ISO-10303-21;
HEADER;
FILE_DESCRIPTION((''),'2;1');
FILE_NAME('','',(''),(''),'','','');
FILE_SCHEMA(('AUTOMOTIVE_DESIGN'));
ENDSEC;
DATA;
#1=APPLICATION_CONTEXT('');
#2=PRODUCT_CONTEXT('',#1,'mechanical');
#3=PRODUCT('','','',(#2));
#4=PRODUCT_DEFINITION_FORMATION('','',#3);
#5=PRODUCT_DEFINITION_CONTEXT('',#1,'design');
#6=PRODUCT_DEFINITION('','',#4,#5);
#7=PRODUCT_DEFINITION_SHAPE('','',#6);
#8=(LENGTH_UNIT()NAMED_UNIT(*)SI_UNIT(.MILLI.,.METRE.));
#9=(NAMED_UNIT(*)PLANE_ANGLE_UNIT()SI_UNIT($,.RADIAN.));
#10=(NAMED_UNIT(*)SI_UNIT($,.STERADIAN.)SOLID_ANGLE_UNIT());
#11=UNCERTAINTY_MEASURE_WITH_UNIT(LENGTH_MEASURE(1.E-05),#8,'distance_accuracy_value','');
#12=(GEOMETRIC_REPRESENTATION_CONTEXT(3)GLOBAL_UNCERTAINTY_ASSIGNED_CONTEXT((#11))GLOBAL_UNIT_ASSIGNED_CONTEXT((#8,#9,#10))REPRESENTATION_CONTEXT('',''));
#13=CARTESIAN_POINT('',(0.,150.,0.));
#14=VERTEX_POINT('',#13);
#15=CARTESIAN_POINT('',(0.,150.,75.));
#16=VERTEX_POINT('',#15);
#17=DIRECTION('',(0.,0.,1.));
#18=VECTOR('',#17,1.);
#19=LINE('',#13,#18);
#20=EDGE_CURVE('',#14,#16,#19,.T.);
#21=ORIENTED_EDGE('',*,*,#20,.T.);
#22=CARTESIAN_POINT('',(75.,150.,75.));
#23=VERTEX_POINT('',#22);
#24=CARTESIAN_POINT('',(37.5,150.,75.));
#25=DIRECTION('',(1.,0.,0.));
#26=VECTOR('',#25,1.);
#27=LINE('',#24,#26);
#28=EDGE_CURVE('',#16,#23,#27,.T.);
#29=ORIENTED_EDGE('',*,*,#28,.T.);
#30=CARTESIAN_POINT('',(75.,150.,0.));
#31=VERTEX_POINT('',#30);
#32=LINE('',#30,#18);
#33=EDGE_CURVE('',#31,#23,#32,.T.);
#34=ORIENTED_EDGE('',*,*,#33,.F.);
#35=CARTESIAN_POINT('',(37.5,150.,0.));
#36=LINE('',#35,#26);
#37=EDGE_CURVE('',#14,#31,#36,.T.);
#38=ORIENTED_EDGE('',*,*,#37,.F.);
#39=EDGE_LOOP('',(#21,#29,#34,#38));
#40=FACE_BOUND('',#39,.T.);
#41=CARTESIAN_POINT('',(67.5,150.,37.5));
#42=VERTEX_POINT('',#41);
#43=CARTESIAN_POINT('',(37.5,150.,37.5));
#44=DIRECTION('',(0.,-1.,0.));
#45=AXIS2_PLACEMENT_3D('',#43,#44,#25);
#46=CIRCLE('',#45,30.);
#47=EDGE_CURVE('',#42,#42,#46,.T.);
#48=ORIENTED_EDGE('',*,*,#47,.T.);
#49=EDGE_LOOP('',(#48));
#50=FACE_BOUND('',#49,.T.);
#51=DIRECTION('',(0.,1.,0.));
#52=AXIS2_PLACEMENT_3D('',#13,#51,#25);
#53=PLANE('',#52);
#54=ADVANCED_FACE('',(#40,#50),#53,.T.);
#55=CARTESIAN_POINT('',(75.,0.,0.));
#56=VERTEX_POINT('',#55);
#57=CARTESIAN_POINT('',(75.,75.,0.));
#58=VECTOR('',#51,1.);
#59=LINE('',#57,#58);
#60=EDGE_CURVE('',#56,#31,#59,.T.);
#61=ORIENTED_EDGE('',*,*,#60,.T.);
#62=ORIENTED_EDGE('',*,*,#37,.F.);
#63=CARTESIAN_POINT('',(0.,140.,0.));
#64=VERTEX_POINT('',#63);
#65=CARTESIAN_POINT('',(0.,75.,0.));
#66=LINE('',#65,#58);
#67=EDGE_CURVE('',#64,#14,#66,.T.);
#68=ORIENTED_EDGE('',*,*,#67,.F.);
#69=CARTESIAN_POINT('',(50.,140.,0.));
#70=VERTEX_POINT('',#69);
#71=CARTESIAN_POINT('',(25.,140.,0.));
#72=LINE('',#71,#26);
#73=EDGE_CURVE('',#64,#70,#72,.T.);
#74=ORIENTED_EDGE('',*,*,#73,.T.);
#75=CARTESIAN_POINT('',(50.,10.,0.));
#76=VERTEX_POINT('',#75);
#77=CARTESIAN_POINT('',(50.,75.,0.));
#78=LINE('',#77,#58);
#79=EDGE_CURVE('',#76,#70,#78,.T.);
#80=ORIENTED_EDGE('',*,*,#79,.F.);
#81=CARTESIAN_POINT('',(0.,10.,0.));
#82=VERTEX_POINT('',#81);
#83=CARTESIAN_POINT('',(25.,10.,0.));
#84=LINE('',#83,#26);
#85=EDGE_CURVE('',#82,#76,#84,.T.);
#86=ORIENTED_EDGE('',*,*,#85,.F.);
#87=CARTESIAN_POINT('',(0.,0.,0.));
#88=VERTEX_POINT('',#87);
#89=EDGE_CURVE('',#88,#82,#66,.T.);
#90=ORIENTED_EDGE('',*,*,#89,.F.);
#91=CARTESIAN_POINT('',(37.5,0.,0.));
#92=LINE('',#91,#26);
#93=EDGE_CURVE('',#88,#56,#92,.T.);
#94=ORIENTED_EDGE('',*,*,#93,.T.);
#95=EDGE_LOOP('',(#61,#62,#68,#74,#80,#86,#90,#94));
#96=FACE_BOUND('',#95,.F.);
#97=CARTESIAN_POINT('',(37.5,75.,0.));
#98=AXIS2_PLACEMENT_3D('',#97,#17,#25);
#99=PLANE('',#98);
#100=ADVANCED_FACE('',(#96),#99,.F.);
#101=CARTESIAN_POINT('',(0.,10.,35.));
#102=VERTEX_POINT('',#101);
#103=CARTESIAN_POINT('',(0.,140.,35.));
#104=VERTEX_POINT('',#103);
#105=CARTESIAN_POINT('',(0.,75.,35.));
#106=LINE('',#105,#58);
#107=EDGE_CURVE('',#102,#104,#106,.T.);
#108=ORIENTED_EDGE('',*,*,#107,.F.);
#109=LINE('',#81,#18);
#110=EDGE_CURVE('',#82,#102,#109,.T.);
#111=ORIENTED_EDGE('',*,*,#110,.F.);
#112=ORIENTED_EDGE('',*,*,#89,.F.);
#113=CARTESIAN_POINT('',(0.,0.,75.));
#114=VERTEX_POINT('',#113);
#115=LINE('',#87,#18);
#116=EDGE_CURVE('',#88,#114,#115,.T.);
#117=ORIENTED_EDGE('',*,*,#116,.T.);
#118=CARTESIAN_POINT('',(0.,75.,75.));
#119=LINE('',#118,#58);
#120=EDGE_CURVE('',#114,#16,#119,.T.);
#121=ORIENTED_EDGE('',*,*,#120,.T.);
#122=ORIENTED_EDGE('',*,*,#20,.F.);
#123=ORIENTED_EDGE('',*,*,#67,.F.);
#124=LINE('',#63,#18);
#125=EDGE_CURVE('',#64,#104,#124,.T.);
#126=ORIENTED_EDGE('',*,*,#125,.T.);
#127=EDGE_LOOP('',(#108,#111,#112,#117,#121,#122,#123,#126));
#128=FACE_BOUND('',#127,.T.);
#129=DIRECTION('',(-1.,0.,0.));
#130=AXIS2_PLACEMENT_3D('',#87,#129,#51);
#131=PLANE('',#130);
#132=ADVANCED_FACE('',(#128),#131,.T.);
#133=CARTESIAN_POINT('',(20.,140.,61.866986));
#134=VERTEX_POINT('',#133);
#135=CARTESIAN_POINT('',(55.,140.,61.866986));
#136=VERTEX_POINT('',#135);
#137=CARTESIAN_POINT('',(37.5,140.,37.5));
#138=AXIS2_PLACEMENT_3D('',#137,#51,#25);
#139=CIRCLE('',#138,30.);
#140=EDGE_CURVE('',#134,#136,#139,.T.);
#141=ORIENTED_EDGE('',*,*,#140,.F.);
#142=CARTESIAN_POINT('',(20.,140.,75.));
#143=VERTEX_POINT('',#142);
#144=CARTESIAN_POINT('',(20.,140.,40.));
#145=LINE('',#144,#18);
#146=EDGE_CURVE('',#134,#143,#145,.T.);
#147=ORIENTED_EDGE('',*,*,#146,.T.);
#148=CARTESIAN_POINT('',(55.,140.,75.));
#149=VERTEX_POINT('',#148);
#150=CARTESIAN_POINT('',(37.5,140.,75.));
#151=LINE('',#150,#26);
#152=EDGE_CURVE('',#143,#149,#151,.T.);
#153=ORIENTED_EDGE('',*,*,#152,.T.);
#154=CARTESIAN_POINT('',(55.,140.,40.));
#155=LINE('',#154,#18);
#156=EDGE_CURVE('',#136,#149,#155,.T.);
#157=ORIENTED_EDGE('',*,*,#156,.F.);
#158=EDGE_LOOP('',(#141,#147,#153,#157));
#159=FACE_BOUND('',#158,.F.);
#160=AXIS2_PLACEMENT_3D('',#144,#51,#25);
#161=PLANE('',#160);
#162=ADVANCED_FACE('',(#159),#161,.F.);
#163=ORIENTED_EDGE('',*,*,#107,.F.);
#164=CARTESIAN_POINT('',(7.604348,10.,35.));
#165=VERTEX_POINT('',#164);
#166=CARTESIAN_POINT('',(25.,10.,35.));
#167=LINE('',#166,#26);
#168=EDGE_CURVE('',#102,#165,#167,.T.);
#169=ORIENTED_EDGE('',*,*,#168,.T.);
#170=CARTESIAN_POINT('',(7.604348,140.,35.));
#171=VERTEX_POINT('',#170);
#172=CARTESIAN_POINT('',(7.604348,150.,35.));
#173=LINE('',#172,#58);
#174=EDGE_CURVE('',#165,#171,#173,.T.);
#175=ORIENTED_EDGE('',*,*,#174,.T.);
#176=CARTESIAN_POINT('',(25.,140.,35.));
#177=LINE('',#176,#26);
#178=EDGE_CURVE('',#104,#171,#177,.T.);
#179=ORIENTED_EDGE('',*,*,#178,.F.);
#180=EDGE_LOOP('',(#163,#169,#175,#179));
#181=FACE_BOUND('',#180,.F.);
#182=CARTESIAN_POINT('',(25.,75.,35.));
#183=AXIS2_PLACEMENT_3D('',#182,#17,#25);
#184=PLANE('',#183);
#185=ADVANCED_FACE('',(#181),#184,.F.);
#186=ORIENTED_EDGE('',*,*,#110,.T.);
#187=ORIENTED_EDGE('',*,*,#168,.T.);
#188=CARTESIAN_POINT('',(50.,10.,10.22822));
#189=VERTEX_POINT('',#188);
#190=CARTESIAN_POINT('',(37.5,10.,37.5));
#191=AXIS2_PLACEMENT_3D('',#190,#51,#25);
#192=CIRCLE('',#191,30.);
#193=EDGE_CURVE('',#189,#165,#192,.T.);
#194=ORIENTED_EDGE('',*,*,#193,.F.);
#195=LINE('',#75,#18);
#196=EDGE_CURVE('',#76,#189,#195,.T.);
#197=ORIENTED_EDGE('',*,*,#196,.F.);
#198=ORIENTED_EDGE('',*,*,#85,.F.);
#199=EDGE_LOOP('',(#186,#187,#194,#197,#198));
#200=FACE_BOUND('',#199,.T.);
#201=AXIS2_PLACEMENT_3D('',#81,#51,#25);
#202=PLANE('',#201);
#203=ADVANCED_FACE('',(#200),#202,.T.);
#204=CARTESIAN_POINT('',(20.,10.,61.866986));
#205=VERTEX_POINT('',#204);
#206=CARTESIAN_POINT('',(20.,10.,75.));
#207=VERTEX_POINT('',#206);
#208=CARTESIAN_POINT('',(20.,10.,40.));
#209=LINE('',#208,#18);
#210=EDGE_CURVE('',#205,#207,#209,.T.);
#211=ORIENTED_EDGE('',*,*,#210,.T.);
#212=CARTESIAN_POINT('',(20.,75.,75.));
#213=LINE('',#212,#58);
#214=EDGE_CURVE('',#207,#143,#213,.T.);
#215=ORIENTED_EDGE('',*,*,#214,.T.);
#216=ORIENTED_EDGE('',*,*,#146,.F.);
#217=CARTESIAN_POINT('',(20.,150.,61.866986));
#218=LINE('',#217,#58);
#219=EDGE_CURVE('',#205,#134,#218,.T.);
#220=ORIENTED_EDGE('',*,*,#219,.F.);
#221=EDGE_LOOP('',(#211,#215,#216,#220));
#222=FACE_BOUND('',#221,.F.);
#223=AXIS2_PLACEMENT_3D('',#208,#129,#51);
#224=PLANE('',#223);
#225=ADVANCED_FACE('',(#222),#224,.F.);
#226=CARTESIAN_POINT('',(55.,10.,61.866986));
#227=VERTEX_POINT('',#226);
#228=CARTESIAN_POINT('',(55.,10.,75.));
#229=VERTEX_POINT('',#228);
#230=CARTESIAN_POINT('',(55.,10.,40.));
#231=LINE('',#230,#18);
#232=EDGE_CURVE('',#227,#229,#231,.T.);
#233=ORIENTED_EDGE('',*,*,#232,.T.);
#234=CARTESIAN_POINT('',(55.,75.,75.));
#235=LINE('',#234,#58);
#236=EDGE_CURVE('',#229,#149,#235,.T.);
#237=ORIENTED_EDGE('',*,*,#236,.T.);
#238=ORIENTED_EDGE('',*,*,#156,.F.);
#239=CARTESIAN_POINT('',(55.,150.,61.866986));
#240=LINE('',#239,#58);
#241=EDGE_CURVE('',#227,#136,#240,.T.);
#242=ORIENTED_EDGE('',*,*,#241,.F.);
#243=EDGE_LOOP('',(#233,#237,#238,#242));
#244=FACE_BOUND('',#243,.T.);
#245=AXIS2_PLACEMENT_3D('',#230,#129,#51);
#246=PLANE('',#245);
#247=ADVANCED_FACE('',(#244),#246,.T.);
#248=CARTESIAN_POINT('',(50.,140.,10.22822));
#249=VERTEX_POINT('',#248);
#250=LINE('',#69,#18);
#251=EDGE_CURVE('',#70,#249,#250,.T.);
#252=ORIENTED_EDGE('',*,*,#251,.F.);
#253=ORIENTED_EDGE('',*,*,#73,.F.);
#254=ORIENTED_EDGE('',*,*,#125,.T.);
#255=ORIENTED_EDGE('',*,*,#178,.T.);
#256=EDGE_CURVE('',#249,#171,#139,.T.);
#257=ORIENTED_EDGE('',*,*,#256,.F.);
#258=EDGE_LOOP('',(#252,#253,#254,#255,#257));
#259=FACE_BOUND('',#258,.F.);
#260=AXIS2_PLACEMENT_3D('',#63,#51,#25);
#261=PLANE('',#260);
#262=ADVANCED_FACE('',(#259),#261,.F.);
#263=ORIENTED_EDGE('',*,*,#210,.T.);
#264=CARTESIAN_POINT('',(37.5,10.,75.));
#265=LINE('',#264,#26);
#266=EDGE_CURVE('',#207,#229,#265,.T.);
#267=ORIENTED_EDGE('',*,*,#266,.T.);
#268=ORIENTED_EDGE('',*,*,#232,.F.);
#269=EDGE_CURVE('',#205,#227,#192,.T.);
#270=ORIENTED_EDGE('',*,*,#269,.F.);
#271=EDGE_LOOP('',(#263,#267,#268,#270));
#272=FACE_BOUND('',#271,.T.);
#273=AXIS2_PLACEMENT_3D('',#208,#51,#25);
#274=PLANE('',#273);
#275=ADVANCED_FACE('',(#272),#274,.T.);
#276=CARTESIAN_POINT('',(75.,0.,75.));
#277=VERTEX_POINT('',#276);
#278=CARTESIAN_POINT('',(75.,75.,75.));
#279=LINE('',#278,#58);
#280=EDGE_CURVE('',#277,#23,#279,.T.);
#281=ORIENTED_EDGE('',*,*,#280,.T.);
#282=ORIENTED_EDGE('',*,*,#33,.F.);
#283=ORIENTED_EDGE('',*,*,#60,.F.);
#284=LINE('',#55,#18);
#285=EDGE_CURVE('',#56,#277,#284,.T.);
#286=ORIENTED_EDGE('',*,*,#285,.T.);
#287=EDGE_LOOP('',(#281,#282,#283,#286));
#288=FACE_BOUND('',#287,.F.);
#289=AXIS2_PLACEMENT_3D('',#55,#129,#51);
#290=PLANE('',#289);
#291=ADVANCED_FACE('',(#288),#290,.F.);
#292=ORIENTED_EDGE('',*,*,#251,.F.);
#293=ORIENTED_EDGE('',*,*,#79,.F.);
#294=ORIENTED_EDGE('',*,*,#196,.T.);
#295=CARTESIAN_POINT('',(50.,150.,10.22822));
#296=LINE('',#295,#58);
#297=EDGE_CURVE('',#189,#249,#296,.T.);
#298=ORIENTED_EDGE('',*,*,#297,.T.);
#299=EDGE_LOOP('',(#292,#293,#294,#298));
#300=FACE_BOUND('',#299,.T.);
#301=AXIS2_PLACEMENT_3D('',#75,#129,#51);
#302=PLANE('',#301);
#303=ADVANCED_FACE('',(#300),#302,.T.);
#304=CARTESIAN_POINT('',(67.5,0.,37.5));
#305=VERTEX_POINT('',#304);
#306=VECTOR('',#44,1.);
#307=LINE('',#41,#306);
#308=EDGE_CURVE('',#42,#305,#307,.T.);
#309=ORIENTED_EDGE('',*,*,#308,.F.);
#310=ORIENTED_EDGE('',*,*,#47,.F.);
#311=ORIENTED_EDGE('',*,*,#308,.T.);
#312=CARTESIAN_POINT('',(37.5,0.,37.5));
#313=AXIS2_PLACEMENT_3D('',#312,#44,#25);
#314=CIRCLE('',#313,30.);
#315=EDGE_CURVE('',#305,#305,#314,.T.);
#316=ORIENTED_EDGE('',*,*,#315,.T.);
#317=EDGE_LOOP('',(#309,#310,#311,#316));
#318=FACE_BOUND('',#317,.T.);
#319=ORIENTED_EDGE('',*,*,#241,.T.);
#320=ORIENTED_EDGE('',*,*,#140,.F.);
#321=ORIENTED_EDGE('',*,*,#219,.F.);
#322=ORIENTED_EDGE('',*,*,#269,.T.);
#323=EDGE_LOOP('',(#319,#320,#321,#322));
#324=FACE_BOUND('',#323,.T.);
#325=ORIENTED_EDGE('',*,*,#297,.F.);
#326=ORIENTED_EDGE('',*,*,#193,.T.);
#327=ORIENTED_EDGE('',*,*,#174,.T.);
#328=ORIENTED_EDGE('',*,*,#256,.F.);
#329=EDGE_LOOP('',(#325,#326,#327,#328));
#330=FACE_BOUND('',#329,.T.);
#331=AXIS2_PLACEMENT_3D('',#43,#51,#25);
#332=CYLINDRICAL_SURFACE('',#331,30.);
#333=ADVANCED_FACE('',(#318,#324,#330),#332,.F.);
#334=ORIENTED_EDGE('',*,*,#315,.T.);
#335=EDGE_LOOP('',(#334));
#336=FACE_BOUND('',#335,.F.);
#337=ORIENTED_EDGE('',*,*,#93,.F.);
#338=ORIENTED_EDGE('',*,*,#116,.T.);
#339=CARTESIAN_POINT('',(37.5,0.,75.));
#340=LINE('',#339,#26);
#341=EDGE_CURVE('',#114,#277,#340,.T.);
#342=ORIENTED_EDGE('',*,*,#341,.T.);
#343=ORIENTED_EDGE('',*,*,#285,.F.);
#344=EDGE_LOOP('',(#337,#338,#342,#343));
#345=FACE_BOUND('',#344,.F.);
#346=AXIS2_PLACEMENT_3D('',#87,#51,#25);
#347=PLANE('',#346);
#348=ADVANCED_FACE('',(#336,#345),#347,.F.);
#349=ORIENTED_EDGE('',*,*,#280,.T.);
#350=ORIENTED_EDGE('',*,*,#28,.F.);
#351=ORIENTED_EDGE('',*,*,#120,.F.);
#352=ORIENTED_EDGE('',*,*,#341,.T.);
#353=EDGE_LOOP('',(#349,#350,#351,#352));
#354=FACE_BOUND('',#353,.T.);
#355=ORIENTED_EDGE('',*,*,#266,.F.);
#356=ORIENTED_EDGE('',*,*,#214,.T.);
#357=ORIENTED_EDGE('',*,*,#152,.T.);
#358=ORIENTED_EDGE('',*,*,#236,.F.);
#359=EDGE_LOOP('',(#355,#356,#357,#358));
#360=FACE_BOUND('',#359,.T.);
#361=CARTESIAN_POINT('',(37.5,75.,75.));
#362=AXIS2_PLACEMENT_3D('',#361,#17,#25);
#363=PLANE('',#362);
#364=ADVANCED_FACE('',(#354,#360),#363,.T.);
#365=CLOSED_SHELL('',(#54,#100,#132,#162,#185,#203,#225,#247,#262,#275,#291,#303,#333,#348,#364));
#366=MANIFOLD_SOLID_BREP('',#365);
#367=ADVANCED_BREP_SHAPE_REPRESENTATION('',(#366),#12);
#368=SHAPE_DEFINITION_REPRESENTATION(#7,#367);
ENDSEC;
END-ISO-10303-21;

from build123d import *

# Parameters (mm, degrees)
BOX_W          = 75
BOX_H          = 150
BOX_DEPTH      = 75
CYLINDER_R     = 30
CYLINDER_DEPTH = 150
BOX001_W       = 35
BOX001_H       = 130
BOX001_DEPTH   = 35
BOX002_W       = 50
BOX002_H       = 130
BOX002_DEPTH   = 35


with BuildPart() as part:
    # Box → Box (join)
    with BuildSketch(Plane.XY):
        with Locations((37.5, 75)):
            Rectangle(BOX_W, BOX_H)
    extrude(amount=BOX_DEPTH)

    # Cylinder → Cylinder (cut)
    with BuildSketch(Plane(origin=(37.5, 150, 37.5), x_dir=(1, 0, 0), z_dir=(0, -1, 0))):
        Circle(CYLINDER_R)
    extrude(amount=CYLINDER_DEPTH, mode=Mode.SUBTRACT)

    # Box001 → Box001 (cut)
    with BuildSketch(Plane(origin=(20, 10, 40), x_dir=(1, 0, 0), z_dir=(0, 0, 1))):
        with Locations((17.5, 65)):
            Rectangle(BOX001_W, BOX001_H)
    extrude(amount=BOX001_DEPTH, mode=Mode.SUBTRACT)

    # Box002 → Box002 (cut)
    with BuildSketch(Plane(origin=(0, 10, 0), x_dir=(1, 0, 0), z_dir=(0, 0, 1))):
        with Locations((25, 65)):
            Rectangle(BOX002_W, BOX002_H)
    extrude(amount=BOX002_DEPTH, mode=Mode.SUBTRACT)


solid = part.part
